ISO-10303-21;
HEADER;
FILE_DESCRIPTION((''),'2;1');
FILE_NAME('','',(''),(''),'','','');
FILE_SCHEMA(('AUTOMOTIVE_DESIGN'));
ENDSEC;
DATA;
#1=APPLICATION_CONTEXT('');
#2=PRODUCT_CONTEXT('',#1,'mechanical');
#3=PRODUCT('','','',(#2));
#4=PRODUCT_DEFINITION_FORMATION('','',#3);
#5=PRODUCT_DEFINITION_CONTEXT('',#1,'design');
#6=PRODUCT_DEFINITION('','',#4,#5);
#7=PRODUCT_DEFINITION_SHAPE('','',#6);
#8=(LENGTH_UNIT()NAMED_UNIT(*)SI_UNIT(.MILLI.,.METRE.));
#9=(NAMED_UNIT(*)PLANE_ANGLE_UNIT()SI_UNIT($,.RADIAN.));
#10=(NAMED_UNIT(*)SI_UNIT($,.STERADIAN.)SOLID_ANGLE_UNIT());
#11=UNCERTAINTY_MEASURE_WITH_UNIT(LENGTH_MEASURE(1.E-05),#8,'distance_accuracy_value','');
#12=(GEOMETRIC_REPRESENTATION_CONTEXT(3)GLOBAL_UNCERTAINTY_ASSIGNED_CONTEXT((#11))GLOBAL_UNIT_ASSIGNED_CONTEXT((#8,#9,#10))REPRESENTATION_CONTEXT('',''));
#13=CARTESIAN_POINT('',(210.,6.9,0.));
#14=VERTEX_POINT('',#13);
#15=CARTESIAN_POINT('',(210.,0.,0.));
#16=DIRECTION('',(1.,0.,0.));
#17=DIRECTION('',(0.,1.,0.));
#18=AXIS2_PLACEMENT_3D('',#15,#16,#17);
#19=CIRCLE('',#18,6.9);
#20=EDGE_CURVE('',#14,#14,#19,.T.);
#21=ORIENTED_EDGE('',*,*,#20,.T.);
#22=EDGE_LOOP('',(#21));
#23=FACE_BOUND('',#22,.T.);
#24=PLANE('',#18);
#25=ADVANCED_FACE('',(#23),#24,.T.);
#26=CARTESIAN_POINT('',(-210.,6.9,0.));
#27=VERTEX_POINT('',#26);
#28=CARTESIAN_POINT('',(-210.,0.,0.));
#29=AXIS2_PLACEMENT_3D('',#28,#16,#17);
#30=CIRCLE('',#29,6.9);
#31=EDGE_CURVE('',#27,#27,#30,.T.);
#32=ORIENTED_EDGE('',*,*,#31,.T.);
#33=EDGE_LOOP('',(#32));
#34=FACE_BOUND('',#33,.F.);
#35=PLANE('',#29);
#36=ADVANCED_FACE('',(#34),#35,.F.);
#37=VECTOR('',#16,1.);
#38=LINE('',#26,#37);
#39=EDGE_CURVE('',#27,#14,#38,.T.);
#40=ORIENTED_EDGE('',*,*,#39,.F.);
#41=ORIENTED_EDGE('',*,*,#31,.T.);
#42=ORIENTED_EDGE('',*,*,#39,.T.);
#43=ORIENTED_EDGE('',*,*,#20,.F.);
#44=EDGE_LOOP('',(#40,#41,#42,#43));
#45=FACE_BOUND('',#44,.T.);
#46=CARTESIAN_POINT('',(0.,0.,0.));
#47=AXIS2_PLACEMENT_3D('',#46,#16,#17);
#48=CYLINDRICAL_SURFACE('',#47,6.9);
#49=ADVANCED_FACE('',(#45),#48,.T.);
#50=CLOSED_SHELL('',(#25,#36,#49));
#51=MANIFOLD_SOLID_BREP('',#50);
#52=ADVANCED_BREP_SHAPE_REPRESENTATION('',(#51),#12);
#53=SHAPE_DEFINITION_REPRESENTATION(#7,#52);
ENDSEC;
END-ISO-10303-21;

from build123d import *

# Parameters (mm, degrees)
SKETCH_R  = 6.9
PAD_DEPTH = 210


with BuildPart() as part:
    # Sketch → Pad (new body, symmetric)
    with BuildSketch(Plane.YZ):
        Circle(SKETCH_R)
    extrude(amount=PAD_DEPTH, both=True)


solid = part.part
